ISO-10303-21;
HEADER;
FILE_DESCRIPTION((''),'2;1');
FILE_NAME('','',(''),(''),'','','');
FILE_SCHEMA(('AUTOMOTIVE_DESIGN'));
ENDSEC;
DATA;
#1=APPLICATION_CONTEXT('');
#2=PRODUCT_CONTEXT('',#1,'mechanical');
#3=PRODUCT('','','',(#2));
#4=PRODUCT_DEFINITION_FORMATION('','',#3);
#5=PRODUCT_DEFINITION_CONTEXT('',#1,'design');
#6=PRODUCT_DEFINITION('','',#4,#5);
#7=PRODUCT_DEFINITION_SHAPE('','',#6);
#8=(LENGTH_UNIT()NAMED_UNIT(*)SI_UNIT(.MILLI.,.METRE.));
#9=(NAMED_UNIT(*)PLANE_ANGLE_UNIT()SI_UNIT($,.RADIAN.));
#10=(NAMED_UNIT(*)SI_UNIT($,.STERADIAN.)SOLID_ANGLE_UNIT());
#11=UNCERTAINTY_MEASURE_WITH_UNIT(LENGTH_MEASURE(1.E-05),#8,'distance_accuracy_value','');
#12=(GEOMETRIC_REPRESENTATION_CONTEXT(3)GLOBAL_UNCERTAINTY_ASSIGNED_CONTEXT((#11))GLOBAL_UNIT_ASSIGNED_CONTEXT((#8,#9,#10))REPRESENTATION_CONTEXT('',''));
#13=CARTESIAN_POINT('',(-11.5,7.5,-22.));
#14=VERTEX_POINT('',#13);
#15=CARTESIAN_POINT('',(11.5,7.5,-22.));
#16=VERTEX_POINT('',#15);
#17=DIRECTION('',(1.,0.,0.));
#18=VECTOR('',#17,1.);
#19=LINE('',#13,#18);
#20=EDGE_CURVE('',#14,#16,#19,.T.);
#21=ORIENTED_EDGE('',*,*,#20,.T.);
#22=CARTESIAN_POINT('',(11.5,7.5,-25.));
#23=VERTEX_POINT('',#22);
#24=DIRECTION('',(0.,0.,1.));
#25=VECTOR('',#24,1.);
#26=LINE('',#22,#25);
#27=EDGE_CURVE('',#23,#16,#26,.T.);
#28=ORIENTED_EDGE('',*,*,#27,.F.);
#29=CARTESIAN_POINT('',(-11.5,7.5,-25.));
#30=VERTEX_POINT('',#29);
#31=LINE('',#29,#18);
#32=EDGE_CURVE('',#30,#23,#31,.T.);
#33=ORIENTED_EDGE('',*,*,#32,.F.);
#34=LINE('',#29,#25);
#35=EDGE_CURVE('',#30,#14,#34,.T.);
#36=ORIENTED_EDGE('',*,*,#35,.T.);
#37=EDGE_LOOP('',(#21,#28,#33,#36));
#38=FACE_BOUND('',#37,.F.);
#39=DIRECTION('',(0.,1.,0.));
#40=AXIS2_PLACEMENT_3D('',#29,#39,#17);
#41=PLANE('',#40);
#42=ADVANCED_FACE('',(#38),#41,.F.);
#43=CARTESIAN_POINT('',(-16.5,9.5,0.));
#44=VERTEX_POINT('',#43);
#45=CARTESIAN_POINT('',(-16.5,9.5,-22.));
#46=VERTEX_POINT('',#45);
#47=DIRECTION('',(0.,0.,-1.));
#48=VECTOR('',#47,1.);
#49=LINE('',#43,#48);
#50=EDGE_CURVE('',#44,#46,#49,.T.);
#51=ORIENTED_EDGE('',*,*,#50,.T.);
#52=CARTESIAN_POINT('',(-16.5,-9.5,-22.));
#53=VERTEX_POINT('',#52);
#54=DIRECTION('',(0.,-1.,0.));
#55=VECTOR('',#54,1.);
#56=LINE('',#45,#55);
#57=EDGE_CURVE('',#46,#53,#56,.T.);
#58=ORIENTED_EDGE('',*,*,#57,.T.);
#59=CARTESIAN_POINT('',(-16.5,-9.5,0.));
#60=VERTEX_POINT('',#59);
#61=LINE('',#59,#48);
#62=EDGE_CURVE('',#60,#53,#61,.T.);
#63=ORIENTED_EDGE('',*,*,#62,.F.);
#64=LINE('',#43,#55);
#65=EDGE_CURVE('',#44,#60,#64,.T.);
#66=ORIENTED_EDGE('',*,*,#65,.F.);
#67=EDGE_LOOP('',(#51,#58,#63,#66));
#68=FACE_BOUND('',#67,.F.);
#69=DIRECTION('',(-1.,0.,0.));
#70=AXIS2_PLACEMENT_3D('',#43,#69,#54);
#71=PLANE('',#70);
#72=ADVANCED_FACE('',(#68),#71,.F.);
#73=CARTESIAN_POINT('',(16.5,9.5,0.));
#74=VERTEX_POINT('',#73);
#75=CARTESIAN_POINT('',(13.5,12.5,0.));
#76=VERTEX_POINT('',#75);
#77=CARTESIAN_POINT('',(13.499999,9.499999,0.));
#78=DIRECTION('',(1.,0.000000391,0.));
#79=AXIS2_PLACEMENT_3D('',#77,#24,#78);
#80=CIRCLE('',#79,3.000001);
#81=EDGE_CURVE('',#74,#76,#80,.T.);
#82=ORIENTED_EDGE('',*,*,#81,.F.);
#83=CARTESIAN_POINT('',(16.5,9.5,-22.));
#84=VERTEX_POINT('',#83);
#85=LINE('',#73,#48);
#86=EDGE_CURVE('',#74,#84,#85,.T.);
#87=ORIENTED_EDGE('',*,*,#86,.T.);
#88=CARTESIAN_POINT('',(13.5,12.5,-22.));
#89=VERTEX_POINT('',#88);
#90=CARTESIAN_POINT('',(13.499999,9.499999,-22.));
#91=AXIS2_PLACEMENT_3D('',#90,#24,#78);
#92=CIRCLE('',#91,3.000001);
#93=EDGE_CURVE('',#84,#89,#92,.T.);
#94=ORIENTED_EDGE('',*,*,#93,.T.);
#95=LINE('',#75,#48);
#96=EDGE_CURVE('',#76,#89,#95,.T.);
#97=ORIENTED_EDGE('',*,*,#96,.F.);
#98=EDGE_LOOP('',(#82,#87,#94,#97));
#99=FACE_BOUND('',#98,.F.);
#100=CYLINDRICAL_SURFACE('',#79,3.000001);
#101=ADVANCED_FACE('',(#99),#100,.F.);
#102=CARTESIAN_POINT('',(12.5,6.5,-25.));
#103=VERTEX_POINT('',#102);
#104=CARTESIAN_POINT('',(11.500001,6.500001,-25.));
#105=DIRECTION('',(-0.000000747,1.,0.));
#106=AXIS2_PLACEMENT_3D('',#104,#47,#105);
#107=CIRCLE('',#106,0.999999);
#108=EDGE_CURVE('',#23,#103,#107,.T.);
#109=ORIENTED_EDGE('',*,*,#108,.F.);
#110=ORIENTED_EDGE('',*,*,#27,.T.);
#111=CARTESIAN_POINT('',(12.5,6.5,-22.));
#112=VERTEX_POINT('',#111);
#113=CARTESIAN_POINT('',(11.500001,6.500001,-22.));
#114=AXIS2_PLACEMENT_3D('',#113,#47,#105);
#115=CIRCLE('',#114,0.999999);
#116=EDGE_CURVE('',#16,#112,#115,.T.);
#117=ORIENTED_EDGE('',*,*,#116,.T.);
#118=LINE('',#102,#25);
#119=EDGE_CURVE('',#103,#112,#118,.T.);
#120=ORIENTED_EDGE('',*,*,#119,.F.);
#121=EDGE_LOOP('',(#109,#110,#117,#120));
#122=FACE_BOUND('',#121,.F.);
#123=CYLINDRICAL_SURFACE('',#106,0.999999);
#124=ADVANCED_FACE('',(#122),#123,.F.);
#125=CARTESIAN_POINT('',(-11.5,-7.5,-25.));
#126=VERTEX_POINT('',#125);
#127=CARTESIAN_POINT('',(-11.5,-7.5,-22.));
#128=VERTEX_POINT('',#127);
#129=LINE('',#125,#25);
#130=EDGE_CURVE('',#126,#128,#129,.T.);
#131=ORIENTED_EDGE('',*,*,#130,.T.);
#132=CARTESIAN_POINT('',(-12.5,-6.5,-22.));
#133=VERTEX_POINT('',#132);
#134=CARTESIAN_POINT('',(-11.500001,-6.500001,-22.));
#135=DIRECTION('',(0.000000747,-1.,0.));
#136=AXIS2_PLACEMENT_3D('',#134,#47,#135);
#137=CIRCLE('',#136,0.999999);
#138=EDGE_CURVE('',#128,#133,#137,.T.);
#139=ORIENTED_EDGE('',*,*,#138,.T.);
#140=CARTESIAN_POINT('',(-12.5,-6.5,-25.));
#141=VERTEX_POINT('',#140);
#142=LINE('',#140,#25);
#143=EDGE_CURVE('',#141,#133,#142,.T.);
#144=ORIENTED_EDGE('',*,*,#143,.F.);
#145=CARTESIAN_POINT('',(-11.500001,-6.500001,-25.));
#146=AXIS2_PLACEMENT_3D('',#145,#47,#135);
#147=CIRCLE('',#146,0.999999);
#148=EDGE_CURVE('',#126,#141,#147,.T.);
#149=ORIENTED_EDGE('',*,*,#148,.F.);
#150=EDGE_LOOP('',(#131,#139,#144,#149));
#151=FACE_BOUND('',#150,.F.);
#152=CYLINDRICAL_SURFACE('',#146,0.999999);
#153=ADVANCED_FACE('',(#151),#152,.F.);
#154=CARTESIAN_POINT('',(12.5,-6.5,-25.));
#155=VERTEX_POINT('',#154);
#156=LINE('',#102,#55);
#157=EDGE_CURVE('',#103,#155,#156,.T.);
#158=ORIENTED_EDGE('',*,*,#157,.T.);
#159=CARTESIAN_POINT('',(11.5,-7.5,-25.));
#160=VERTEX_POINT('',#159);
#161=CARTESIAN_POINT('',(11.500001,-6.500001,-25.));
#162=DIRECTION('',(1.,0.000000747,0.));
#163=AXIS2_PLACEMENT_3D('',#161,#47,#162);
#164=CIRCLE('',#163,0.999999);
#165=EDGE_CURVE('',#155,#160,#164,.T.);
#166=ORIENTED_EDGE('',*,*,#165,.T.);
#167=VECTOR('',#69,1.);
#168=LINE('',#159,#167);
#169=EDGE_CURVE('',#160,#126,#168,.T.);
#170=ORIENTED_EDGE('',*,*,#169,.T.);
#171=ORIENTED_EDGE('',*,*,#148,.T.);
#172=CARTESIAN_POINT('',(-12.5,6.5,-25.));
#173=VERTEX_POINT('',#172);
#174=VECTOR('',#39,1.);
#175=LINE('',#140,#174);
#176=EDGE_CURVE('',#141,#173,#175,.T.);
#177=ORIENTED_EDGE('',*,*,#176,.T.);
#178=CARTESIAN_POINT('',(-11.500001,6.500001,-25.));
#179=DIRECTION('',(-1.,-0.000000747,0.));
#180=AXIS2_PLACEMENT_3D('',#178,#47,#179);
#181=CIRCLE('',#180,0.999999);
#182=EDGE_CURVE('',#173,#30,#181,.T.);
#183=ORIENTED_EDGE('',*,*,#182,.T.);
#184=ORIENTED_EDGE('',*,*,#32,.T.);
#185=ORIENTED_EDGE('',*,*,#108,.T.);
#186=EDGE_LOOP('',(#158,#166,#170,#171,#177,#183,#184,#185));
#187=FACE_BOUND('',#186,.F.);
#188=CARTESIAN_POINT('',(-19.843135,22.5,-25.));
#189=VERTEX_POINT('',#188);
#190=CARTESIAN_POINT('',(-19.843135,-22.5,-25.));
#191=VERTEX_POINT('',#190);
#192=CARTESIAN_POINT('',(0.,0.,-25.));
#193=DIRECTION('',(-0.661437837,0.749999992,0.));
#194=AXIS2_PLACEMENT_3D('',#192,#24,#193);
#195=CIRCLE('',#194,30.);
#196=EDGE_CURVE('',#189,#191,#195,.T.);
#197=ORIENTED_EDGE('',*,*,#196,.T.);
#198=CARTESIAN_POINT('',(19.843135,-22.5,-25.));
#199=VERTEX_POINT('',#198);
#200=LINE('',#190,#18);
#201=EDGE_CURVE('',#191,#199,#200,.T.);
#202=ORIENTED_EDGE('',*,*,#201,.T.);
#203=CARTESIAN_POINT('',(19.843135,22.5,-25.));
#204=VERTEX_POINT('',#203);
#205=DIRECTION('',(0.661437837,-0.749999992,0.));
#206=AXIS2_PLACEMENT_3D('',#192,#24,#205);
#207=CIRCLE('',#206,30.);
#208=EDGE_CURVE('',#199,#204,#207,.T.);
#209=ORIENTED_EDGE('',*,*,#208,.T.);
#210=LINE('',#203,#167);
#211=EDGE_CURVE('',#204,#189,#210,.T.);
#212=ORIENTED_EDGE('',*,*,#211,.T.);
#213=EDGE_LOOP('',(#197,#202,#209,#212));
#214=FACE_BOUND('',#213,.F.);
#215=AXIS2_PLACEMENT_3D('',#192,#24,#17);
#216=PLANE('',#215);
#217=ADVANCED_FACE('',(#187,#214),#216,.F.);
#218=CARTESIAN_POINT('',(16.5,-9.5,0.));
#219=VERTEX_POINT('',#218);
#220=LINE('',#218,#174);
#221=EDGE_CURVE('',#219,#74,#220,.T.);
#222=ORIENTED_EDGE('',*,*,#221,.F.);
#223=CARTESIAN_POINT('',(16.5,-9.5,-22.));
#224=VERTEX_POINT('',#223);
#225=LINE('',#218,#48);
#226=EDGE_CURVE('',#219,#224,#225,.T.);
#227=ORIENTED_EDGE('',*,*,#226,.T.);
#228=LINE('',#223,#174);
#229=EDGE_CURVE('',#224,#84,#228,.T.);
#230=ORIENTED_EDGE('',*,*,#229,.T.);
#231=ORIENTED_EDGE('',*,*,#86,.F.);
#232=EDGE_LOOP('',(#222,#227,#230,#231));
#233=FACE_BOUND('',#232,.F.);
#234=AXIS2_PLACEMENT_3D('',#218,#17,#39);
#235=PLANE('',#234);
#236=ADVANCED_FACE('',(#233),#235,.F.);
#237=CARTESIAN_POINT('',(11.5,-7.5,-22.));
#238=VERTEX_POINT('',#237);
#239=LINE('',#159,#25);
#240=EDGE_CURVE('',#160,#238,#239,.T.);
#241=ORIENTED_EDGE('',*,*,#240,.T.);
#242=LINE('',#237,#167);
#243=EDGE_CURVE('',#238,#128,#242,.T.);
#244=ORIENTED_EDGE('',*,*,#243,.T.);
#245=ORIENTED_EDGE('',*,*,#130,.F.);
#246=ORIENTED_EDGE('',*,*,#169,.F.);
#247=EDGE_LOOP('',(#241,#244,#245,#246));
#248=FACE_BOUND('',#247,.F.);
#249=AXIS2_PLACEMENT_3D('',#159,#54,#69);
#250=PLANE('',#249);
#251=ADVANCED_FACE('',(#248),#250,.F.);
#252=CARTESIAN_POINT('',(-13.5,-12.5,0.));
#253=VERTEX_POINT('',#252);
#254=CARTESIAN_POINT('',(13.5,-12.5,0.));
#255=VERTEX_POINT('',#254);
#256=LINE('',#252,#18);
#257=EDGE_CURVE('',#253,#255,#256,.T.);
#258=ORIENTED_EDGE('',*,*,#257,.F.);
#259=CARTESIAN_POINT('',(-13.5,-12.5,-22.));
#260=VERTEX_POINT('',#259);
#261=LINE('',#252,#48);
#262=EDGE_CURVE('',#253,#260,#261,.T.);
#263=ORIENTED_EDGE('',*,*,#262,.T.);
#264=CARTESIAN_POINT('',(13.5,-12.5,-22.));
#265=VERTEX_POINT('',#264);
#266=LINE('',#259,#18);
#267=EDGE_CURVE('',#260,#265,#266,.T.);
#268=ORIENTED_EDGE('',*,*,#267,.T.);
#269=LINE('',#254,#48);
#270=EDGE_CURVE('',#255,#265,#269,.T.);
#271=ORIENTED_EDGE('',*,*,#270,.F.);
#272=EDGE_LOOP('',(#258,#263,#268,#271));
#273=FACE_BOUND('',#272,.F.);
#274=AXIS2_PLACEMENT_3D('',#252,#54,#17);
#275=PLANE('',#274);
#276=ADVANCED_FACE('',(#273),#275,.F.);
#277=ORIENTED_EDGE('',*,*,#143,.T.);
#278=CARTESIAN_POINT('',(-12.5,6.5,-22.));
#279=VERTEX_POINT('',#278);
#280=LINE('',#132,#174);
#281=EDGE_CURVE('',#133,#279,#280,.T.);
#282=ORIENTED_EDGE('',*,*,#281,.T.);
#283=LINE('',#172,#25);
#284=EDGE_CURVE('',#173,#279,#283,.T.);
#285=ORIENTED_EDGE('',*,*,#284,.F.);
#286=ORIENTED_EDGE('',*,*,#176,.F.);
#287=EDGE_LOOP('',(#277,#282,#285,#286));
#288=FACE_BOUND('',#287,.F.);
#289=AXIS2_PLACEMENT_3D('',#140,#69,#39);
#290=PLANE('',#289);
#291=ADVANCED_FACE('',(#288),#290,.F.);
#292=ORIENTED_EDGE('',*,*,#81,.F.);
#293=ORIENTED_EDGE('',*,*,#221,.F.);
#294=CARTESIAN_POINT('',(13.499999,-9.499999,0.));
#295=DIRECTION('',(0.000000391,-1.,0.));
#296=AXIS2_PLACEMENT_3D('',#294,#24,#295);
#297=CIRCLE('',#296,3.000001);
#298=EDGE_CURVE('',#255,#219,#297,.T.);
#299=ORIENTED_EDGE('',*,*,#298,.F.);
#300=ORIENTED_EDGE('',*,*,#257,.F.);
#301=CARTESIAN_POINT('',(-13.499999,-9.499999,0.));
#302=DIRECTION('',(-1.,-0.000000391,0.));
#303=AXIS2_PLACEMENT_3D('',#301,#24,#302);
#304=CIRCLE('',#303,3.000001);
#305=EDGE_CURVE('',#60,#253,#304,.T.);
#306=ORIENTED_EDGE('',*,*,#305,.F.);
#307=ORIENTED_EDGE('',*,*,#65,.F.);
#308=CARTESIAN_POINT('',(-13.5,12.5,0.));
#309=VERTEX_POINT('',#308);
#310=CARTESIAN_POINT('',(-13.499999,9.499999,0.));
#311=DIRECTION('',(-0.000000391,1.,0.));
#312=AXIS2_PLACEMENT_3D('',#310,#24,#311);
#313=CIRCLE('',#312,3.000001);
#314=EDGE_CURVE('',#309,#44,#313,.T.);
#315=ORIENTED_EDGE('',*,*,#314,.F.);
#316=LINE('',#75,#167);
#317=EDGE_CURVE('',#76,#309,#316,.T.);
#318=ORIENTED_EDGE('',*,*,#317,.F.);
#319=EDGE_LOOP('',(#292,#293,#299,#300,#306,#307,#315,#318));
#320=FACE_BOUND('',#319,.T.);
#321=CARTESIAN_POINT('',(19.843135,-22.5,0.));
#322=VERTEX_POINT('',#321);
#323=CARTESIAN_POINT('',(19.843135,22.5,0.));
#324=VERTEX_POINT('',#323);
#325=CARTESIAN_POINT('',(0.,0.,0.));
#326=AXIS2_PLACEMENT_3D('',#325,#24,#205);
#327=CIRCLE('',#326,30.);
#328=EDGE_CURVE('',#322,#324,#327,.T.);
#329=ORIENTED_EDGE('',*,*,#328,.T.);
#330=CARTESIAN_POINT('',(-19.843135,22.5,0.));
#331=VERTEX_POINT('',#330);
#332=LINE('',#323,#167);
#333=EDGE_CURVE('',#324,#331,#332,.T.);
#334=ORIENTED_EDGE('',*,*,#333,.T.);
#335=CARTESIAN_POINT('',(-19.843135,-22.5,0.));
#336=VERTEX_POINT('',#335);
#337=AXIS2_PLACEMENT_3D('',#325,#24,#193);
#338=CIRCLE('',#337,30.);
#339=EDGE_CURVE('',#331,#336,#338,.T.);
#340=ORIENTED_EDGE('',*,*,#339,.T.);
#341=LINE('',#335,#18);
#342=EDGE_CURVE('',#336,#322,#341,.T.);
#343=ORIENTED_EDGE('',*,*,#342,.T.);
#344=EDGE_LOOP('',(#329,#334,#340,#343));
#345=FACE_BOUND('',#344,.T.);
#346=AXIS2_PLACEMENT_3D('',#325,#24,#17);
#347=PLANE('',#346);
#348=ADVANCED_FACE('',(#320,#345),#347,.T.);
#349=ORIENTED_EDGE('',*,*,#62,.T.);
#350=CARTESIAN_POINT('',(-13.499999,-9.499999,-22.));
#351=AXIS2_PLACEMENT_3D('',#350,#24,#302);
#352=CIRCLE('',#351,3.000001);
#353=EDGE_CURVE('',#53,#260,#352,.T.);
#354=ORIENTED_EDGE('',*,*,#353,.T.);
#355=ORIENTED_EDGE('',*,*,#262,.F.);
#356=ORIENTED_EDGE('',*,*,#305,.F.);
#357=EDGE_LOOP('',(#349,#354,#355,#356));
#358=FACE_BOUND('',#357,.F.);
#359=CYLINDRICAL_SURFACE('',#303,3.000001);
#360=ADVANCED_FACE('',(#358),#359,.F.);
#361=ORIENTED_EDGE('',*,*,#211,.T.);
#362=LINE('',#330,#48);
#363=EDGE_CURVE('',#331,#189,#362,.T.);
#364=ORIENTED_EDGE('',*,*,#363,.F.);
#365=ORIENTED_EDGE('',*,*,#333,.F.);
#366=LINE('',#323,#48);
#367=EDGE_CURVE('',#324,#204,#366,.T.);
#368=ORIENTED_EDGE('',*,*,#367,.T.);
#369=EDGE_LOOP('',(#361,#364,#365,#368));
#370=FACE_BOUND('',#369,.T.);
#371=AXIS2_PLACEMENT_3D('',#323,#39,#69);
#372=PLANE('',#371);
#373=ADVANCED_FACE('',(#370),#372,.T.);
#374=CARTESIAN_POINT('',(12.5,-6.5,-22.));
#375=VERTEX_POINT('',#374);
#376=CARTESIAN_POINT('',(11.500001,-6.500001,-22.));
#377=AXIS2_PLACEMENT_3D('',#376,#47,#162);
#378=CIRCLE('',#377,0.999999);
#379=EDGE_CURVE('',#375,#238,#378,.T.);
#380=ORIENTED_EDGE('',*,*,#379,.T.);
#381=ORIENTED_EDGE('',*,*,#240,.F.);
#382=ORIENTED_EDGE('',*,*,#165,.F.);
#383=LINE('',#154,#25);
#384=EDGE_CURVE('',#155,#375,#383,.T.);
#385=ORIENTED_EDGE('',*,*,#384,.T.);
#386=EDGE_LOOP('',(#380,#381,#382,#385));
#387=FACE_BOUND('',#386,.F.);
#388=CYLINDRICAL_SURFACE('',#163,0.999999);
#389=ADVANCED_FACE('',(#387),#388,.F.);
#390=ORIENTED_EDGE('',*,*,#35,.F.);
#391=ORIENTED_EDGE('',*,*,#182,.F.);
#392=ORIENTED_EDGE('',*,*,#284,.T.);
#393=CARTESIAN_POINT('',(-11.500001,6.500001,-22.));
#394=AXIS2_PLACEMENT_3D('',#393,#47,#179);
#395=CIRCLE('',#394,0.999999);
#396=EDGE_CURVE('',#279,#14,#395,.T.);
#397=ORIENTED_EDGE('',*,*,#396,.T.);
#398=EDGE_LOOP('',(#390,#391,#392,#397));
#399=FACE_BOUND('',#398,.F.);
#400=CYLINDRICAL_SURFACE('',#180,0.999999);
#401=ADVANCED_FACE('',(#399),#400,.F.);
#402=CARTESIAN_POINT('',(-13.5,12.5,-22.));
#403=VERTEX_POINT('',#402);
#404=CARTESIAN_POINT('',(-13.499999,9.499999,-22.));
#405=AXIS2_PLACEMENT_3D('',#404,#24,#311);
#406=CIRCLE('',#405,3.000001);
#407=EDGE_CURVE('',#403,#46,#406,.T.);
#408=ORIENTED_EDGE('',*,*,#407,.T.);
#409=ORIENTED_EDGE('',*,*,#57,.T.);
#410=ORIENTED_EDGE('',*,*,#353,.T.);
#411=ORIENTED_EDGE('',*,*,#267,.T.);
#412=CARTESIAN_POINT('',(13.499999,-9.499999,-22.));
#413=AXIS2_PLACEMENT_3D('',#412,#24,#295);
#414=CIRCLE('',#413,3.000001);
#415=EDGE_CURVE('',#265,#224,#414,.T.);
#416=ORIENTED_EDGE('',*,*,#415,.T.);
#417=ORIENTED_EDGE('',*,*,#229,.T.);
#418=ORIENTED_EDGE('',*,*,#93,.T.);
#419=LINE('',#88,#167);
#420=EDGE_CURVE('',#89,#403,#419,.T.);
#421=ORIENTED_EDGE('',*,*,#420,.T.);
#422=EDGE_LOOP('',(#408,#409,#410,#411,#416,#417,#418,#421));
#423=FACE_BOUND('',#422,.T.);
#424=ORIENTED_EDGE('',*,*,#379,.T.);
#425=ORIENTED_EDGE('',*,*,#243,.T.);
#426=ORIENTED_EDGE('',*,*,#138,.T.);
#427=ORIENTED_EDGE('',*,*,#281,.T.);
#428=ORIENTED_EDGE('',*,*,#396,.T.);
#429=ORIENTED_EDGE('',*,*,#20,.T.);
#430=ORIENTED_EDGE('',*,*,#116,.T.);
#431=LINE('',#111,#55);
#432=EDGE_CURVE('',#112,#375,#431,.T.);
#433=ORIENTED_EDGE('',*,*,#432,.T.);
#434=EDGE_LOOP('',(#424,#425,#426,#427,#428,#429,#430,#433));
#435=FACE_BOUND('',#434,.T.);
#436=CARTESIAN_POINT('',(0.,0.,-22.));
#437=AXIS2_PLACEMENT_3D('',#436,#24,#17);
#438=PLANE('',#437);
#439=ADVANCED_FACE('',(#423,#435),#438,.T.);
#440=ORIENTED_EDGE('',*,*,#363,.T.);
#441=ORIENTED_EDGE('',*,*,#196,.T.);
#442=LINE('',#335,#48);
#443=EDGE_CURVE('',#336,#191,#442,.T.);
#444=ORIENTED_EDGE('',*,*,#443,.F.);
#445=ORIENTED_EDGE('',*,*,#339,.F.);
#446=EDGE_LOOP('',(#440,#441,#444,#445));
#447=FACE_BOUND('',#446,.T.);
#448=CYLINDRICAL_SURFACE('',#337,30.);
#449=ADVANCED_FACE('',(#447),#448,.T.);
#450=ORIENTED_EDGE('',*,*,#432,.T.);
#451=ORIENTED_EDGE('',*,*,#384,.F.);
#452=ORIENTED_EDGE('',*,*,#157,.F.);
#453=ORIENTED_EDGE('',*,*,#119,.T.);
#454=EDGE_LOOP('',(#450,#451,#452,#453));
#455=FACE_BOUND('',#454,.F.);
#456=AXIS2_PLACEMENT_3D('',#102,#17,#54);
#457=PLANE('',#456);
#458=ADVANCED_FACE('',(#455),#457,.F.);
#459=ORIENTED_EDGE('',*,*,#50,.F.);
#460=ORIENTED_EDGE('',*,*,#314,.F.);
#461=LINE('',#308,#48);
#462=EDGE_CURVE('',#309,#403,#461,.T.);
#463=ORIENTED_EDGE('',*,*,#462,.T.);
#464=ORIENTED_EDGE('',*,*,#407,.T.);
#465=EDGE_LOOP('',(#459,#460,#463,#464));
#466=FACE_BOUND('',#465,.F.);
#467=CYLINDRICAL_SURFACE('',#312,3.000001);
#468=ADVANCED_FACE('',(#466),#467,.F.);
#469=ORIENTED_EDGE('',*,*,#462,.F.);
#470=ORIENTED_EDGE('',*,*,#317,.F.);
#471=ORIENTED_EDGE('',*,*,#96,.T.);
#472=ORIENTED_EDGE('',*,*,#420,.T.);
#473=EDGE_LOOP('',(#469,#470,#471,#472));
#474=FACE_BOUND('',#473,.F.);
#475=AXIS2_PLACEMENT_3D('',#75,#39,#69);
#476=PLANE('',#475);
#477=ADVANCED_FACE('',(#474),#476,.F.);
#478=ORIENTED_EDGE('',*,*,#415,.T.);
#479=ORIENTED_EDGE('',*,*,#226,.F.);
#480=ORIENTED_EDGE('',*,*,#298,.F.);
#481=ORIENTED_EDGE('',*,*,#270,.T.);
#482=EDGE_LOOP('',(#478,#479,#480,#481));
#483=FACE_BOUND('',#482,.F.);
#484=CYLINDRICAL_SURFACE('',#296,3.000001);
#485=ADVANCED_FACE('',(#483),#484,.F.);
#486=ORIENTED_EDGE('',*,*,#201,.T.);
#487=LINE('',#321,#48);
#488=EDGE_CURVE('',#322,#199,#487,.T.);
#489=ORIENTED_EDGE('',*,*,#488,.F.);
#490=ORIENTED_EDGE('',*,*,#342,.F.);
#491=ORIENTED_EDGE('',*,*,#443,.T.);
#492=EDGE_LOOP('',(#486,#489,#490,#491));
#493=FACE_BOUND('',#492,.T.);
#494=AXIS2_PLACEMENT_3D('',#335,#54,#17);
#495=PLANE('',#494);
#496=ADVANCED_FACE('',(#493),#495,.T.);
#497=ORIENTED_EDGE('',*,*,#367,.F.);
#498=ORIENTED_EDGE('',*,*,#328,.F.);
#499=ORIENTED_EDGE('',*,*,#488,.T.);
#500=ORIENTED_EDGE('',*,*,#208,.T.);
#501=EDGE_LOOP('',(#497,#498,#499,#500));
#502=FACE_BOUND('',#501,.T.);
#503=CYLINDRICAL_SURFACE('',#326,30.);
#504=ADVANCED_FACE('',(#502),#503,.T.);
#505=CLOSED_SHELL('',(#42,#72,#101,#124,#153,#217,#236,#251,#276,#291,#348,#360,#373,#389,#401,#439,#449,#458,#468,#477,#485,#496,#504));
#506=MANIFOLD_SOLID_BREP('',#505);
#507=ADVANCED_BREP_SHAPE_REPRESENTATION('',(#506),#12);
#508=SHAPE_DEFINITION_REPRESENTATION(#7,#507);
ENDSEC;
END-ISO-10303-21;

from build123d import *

# Parameters (mm, degrees)
F2_DEPTH = 25
F3_DEPTH = 22
F5_DEPTH = 3


with BuildPart() as f2:
    # F0 (on Top) → F2 (new body)
    with BuildSketch(Plane.XY):
        with BuildLine():
            Line((19.843135, 22.5), (-19.843135, 22.5))
            ThreePointArc((-19.843135, 22.5), (-30, 0), (-19.843135, -22.5))
            Line((-19.843135, -22.5), (19.843135, -22.5))
            ThreePointArc((19.843135, -22.5), (30, 0), (19.843135, 22.5))
        make_face()
    extrude(amount=-F2_DEPTH)

    # F1 (on face) → F3 (cut)
    with BuildSketch(Plane.XY):
        with BuildLine():
            ThreePointArc((-16.5, -9.5), (-15.62132, -11.62132), (-13.5, -12.5))
            Line((-13.5, -12.5), (13.5, -12.5))
            ThreePointArc((13.5, -12.5), (15.62132, -11.62132), (16.5, -9.5))
            Line((16.5, -9.5), (16.5, 9.5))
            ThreePointArc((16.5, 9.5), (15.62132, 11.62132), (13.5, 12.5))
            Line((13.5, 12.5), (-13.5, 12.5))
            ThreePointArc((-13.5, 12.5), (-15.62132, 11.62132), (-16.5, 9.5))
            Line((-16.5, 9.5), (-16.5, -9.5))
        make_face()
    extrude(amount=-F3_DEPTH, mode=Mode.SUBTRACT)

    # F4 (on face) → F5 (cut, through all)
    with BuildSketch(Plane(origin=(0, 0, -25), x_dir=(1, 0, 0), z_dir=(0, 0, -1))):
        with BuildLine():
            ThreePointArc((-12.5, -6.5), (-12.207107, -7.207107), (-11.5, -7.5))
            Line((-11.5, -7.5), (11.5, -7.5))
            ThreePointArc((11.5, -7.5), (12.207107, -7.207107), (12.5, -6.5))
            Line((12.5, -6.5), (12.5, 6.5))
            ThreePointArc((12.5, 6.5), (12.207107, 7.207107), (11.5, 7.5))
            Line((11.5, 7.5), (-11.5, 7.5))
            ThreePointArc((-11.5, 7.5), (-12.207107, 7.207107), (-12.5, 6.5))
            Line((-12.5, 6.5), (-12.5, -6.5))
        make_face()
    extrude(amount=-F5_DEPTH, mode=Mode.SUBTRACT)


solid = f2.part
